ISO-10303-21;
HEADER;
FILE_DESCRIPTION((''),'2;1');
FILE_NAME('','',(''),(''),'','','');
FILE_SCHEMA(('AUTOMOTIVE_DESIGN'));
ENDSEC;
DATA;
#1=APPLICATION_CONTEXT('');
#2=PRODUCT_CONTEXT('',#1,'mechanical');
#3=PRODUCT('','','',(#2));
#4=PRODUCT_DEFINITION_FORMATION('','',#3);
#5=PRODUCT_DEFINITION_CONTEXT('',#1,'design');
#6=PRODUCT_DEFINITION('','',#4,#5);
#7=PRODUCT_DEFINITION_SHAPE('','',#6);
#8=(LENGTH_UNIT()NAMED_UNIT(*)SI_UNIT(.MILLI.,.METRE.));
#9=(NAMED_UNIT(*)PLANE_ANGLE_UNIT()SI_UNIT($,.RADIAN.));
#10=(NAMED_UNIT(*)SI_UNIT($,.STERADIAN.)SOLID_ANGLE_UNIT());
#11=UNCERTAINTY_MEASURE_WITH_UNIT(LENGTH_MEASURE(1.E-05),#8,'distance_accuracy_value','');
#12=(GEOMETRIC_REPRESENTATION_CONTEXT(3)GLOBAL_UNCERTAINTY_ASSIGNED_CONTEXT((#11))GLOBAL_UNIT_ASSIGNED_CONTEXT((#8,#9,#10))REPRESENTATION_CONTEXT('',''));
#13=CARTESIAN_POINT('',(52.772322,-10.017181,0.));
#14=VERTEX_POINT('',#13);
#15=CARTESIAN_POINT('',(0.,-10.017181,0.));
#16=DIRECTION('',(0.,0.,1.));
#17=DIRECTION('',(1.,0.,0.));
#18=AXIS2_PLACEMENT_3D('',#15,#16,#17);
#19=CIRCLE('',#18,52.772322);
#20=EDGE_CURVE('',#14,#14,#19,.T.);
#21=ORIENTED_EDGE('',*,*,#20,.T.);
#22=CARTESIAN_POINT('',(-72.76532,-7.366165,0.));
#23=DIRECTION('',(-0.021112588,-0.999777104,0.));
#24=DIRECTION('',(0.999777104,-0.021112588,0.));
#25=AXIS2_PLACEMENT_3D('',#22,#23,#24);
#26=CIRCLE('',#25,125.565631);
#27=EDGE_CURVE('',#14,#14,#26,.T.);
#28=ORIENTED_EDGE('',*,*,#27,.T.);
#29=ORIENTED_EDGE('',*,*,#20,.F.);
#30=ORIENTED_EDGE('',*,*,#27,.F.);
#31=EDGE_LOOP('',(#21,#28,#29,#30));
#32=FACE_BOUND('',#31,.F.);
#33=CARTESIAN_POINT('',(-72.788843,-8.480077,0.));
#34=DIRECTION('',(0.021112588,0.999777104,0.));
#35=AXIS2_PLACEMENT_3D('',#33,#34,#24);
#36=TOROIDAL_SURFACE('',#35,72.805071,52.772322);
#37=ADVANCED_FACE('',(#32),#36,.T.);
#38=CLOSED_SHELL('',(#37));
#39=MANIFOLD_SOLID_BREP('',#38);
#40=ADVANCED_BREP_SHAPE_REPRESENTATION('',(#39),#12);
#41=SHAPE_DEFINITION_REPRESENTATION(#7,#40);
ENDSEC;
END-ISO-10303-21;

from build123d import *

# Parameters (mm, degrees)
F0_R = 52.7723223391


with BuildPart() as f1:
    # F0 (on Top) → F1 (revolve)
    with BuildSketch(Plane.XY):
        with Locations((0, -10.0171808153)):
            Circle(F0_R)
        Polygon((-18.8581951841, -55.7005558928), (-16.9796142727, -49.5540089905), (-12.5958389655, -54.254181234), align=None, mode=Mode.SUBTRACT)
        Polygon((-19.9148682779, -44.3011192561), (-14.1960689798, -35.3601202369), (-9.312336343, -44.7832452177), align=None, mode=Mode.SUBTRACT)
        Polygon((-37.8449336658, -38.4978990289), (-30.3406212479, -31.285527923), (-27.8466808577, -41.3906386678), align=None, mode=Mode.SUBTRACT)
        Polygon((-51.2316623557, -15.6018324194), (-43.4232726693, -7.8627904877), (-40.6252605987, -18.4945752846), align=None, mode=Mode.SUBTRACT)
        Polygon((-36.0875399331, -23.9879070569), (-28.3921398222, -14.5160714164), (-24.0369895926, -25.9164012249), align=None, mode=Mode.SUBTRACT)
        Polygon((-12.5264915148, -32.7319001622), (-7.5155673549, -21.1599804461), (0.0005470099, -31.285527923), align=None, mode=Mode.SUBTRACT)
        Polygon((-4.7606912947, -58.8437298159), (2.2268334869, -46.7409826815), (9.2143575701, -58.8437302192), align=None, mode=Mode.SUBTRACT)
        Polygon((4.3598419952, -37.7156484385), (15.8661976457, -31.285527923), (15.6816675362, -44.4653844791), align=None, mode=Mode.SUBTRACT)
        Polygon((15.8805513259, -53.6689143628), (21.1845240718, -44.4821640849), (26.4884968177, -53.6689143628), align=None, mode=Mode.SUBTRACT)
        Polygon((6.0538573564, -18.1603354504), (16.9796142727, -8.8788466528), (19.5547408982, -22.9815740967), align=None, mode=Mode.SUBTRACT)
        Polygon((26.7910249881, -40.1560813189), (33.3001335842, -28.8819745183), (39.8092421804, -40.1560813189), align=None, mode=Mode.SUBTRACT)
        Polygon((31.1720457173, -17.1003545844), (39.5263135433, -7.4515785091), (43.705264827, -19.5109747141), align=None, mode=Mode.SUBTRACT)
        Polygon((-45.7502269255, 0.102902691), (-35.0726433098, 6.0618030839), (-35.2508759988, -6.1647057748), align=None, mode=Mode.SUBTRACT)
        Polygon((-19.7211694426, -8.6055044083), (-11.4125274122, 0), (-8.1142629974, -11.4982472735), align=None, mode=Mode.SUBTRACT)
        Polygon((-27.0669383877, 15.326414097), (-15.866195783, 18.3344576508), (-18.8615249521, 7.130308237), align=None, mode=Mode.SUBTRACT)
        Polygon((-39.5115197089, 18.483796351), (-33.9592248201, 24.2436584085), (-31.7471854004, 16.5552989568), align=None, mode=Mode.SUBTRACT)
        Polygon((-23.4429210089, 29.2072449645), (-18.0930290371, 35.5807803571), (-15.2483314611, 27.7608703057), align=None, mode=Mode.SUBTRACT)
        Polygon((-11.2133949304, 28.6635721618), (-2.5051881094, 36.9968935847), (0.3575765302, 25.2887045449), align=None, mode=Mode.SUBTRACT)
        Polygon((-1.1158180911, 0.4779665039), (10.2991089225, 0), (4.1777142812, -9.6466335242), align=None, mode=Mode.SUBTRACT)
        Polygon((-2.4691048729, 6.8572270468), (3.6186068319, 18.3656960726), (10.5413775145, 7.3393485725), align=None, mode=Mode.SUBTRACT)
        Polygon((21.2573128061, -1.8228715055), (24.7735343874, 10.0528886542), (33.3001335842, 1.0698713597), align=None, mode=Mode.SUBTRACT)
        Polygon((38.0221445884, 2.6263642466), (39.5263135433, 10.0528886542), (45.2057878647, 5.0369779239), align=None, mode=Mode.SUBTRACT)
        Polygon((6.1008159324, 25.2950683298), (10.855817236, 32.566729933), (14.7757602603, 24.8129472074), align=None, mode=Mode.SUBTRACT)
        Polygon((21.1845240718, 19.7609179054), (23.9384695888, 30.3163900971), (31.7028038972, 22.653667223), align=None, mode=Mode.SUBTRACT)
        Polygon((19.5547408982, -22.9815740967), (16.9796142727, -8.8788466528), (6.0538573564, -18.1603354504), align=None)
        Polygon((9.2143575701, -58.8437302192), (2.2268334869, -46.7409826815), (-4.7606912947, -58.8437298159), align=None)
        Polygon((15.6816675362, -44.4653844791), (15.8661976457, -31.285527923), (4.3598419952, -37.7156484385), align=None)
        Polygon((10.5413775145, 7.3393485725), (3.6186068319, 18.3656960726), (-2.4691048729, 6.8572270468), align=None)
        Polygon((39.8092421804, -40.1560813189), (33.3001335842, -28.8819745183), (26.7910249881, -40.1560813189), align=None)
        Polygon((43.705264827, -19.5109747141), (39.5263135433, -7.4515785091), (31.1720457173, -17.1003545844), align=None)
        Polygon((0.0005470099, -31.285527923), (-7.5155673549, -21.1599804461), (-12.5264915148, -32.7319001622), align=None)
        Polygon((33.3001335842, 1.0698713597), (24.7735343874, 10.0528886542), (21.2573128061, -1.8228715055), align=None)
        Polygon((-35.2508759988, -6.1647057748), (-35.0726433098, 6.0618030839), (-45.7502269255, 0.102902691), align=None)
        Polygon((-24.0369895926, -25.9164012249), (-28.3921398222, -14.5160714164), (-36.0875399331, -23.9879070569), align=None)
        Polygon((0.3575765302, 25.2887045449), (-2.5051881094, 36.9968935847), (-11.2133949304, 28.6635721618), align=None)
        Polygon((-8.1142629974, -11.4982472735), (-11.4125274122, 0), (-19.7211694426, -8.6055044083), align=None)
        Polygon((-18.8615249521, 7.130308237), (-15.866195783, 18.3344576508), (-27.0669383877, 15.326414097), align=None)
        Polygon((4.1777142812, -9.6466335242), (10.2991089225, 0), (-1.1158180911, 0.4779665039), align=None)
        Polygon((-40.6252605987, -18.4945752846), (-43.4232726693, -7.8627904877), (-51.2316623557, -15.6018324194), align=None)
        Polygon((31.7028038972, 22.653667223), (23.9384695888, 30.3163900971), (21.1845240718, 19.7609179054), align=None)
        Polygon((-9.312336343, -44.7832452177), (-14.1960689798, -35.3601202369), (-19.9148682779, -44.3011192561), align=None)
        Polygon((26.4884968177, -53.6689143628), (21.1845240718, -44.4821640849), (15.8805513259, -53.6689143628), align=None)
        Polygon((-27.8466808577, -41.3906386678), (-30.3406212479, -31.285527923), (-37.8449336658, -38.4978990289), align=None)
        Polygon((14.7757602603, 24.8129472074), (10.855817236, 32.566729933), (6.1008159324, 25.2950683298), align=None)
        Polygon((-15.2483314611, 27.7608703057), (-18.0930290371, 35.5807803571), (-23.4429210089, 29.2072449645), align=None)
        Polygon((-31.7471854004, 16.5552989568), (-33.9592248201, 24.2436584085), (-39.5115197089, 18.483796351), align=None)
        Polygon((45.2057878647, 5.0369779239), (39.5263135433, 10.0528886542), (38.0221445884, 2.6263642466), align=None)
        Polygon((-12.5958389655, -54.254181234), (-16.9796142727, -49.5540089905), (-18.8581951841, -55.7005558928), align=None)
    revolve(axis=Axis((-72.6504772902, -1.9278302789, 0), (-0.0211125879, -0.9997771045, 0)))


solid = f1.part
